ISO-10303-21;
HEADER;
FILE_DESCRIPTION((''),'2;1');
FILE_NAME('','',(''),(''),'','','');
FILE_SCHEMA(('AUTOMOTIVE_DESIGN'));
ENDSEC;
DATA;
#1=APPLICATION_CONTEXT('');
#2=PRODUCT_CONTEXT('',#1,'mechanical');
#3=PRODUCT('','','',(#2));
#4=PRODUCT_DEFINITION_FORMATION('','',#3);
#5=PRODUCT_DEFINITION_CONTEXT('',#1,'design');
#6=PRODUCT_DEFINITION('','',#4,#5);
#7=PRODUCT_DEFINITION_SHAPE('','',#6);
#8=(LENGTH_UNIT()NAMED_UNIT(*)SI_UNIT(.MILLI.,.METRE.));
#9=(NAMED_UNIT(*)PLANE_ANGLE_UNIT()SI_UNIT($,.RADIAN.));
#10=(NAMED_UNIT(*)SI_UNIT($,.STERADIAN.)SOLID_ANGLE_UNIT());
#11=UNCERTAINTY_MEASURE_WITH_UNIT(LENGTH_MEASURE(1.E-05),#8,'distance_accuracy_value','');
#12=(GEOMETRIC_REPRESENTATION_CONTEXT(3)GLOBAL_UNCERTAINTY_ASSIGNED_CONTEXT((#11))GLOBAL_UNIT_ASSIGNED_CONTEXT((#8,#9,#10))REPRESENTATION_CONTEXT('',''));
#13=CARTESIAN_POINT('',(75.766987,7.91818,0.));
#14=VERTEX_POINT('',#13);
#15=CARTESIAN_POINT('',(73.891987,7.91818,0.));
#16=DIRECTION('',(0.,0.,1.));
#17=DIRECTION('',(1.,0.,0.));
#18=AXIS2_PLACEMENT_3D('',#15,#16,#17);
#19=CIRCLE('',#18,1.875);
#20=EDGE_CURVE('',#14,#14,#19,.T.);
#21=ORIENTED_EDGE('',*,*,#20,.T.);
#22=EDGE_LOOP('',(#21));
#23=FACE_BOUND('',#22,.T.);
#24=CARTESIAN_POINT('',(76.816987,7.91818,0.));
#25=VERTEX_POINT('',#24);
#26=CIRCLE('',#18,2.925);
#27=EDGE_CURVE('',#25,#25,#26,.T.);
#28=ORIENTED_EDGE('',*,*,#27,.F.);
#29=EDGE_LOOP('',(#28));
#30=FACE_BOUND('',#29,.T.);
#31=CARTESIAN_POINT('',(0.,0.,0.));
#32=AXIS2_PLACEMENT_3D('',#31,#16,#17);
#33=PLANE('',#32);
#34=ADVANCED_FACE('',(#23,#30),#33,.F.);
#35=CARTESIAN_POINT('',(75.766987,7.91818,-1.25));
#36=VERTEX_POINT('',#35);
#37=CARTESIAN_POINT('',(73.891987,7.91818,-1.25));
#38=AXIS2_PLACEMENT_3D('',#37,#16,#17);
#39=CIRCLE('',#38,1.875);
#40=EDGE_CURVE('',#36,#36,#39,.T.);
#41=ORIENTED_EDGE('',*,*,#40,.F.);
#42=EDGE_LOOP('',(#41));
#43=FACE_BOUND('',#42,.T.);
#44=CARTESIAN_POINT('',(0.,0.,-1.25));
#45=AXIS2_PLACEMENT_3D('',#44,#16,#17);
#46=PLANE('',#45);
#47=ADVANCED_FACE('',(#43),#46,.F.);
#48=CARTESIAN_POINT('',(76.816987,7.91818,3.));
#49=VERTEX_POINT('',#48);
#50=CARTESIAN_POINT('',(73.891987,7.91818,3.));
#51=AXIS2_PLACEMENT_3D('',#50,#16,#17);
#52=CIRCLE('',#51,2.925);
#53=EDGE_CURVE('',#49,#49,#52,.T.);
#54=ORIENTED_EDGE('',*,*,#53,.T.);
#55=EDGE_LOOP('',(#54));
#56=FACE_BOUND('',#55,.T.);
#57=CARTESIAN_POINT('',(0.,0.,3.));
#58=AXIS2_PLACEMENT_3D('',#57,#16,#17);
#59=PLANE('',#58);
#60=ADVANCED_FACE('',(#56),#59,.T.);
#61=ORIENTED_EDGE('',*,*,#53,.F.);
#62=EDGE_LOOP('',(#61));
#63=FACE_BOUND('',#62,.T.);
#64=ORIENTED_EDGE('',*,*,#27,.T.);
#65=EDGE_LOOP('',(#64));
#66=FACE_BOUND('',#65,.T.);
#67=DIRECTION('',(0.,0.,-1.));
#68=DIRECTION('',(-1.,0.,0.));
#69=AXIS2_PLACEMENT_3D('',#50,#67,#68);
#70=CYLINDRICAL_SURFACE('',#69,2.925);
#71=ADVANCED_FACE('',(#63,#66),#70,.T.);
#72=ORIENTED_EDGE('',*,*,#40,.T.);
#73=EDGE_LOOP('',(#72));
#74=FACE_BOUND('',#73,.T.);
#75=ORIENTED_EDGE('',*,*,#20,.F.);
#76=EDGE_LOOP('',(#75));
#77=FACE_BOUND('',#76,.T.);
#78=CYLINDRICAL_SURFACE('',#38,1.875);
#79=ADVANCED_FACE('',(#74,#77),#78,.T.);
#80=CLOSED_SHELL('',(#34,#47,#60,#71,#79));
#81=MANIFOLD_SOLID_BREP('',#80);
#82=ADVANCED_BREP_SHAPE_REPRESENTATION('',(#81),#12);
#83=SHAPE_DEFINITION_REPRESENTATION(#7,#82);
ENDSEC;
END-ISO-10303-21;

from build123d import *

# Parameters (mm, degrees)
SKETCH1_R           = 2.925
BOSS_EXTRUDE1_DEPTH = 3
SKETCH1_3_R         = 1.875
BOSS_EXTRUDE2_DEPTH = 1.25


with BuildPart() as part:
    # Sketch1 → Boss-Extrude1 (new body)
    with BuildSketch(Plane.XY):
        with Locations((73.89198705, 7.918180442)):
            Circle(SKETCH1_R)
    extrude(amount=BOSS_EXTRUDE1_DEPTH)

    # Sketch1<3> → Boss-Extrude2 (add)
    with BuildSketch(Plane.XY):
        with Locations((73.89198705, 7.918180442)):
            Circle(SKETCH1_3_R)
    extrude(amount=-BOSS_EXTRUDE2_DEPTH)


solid = part.part
